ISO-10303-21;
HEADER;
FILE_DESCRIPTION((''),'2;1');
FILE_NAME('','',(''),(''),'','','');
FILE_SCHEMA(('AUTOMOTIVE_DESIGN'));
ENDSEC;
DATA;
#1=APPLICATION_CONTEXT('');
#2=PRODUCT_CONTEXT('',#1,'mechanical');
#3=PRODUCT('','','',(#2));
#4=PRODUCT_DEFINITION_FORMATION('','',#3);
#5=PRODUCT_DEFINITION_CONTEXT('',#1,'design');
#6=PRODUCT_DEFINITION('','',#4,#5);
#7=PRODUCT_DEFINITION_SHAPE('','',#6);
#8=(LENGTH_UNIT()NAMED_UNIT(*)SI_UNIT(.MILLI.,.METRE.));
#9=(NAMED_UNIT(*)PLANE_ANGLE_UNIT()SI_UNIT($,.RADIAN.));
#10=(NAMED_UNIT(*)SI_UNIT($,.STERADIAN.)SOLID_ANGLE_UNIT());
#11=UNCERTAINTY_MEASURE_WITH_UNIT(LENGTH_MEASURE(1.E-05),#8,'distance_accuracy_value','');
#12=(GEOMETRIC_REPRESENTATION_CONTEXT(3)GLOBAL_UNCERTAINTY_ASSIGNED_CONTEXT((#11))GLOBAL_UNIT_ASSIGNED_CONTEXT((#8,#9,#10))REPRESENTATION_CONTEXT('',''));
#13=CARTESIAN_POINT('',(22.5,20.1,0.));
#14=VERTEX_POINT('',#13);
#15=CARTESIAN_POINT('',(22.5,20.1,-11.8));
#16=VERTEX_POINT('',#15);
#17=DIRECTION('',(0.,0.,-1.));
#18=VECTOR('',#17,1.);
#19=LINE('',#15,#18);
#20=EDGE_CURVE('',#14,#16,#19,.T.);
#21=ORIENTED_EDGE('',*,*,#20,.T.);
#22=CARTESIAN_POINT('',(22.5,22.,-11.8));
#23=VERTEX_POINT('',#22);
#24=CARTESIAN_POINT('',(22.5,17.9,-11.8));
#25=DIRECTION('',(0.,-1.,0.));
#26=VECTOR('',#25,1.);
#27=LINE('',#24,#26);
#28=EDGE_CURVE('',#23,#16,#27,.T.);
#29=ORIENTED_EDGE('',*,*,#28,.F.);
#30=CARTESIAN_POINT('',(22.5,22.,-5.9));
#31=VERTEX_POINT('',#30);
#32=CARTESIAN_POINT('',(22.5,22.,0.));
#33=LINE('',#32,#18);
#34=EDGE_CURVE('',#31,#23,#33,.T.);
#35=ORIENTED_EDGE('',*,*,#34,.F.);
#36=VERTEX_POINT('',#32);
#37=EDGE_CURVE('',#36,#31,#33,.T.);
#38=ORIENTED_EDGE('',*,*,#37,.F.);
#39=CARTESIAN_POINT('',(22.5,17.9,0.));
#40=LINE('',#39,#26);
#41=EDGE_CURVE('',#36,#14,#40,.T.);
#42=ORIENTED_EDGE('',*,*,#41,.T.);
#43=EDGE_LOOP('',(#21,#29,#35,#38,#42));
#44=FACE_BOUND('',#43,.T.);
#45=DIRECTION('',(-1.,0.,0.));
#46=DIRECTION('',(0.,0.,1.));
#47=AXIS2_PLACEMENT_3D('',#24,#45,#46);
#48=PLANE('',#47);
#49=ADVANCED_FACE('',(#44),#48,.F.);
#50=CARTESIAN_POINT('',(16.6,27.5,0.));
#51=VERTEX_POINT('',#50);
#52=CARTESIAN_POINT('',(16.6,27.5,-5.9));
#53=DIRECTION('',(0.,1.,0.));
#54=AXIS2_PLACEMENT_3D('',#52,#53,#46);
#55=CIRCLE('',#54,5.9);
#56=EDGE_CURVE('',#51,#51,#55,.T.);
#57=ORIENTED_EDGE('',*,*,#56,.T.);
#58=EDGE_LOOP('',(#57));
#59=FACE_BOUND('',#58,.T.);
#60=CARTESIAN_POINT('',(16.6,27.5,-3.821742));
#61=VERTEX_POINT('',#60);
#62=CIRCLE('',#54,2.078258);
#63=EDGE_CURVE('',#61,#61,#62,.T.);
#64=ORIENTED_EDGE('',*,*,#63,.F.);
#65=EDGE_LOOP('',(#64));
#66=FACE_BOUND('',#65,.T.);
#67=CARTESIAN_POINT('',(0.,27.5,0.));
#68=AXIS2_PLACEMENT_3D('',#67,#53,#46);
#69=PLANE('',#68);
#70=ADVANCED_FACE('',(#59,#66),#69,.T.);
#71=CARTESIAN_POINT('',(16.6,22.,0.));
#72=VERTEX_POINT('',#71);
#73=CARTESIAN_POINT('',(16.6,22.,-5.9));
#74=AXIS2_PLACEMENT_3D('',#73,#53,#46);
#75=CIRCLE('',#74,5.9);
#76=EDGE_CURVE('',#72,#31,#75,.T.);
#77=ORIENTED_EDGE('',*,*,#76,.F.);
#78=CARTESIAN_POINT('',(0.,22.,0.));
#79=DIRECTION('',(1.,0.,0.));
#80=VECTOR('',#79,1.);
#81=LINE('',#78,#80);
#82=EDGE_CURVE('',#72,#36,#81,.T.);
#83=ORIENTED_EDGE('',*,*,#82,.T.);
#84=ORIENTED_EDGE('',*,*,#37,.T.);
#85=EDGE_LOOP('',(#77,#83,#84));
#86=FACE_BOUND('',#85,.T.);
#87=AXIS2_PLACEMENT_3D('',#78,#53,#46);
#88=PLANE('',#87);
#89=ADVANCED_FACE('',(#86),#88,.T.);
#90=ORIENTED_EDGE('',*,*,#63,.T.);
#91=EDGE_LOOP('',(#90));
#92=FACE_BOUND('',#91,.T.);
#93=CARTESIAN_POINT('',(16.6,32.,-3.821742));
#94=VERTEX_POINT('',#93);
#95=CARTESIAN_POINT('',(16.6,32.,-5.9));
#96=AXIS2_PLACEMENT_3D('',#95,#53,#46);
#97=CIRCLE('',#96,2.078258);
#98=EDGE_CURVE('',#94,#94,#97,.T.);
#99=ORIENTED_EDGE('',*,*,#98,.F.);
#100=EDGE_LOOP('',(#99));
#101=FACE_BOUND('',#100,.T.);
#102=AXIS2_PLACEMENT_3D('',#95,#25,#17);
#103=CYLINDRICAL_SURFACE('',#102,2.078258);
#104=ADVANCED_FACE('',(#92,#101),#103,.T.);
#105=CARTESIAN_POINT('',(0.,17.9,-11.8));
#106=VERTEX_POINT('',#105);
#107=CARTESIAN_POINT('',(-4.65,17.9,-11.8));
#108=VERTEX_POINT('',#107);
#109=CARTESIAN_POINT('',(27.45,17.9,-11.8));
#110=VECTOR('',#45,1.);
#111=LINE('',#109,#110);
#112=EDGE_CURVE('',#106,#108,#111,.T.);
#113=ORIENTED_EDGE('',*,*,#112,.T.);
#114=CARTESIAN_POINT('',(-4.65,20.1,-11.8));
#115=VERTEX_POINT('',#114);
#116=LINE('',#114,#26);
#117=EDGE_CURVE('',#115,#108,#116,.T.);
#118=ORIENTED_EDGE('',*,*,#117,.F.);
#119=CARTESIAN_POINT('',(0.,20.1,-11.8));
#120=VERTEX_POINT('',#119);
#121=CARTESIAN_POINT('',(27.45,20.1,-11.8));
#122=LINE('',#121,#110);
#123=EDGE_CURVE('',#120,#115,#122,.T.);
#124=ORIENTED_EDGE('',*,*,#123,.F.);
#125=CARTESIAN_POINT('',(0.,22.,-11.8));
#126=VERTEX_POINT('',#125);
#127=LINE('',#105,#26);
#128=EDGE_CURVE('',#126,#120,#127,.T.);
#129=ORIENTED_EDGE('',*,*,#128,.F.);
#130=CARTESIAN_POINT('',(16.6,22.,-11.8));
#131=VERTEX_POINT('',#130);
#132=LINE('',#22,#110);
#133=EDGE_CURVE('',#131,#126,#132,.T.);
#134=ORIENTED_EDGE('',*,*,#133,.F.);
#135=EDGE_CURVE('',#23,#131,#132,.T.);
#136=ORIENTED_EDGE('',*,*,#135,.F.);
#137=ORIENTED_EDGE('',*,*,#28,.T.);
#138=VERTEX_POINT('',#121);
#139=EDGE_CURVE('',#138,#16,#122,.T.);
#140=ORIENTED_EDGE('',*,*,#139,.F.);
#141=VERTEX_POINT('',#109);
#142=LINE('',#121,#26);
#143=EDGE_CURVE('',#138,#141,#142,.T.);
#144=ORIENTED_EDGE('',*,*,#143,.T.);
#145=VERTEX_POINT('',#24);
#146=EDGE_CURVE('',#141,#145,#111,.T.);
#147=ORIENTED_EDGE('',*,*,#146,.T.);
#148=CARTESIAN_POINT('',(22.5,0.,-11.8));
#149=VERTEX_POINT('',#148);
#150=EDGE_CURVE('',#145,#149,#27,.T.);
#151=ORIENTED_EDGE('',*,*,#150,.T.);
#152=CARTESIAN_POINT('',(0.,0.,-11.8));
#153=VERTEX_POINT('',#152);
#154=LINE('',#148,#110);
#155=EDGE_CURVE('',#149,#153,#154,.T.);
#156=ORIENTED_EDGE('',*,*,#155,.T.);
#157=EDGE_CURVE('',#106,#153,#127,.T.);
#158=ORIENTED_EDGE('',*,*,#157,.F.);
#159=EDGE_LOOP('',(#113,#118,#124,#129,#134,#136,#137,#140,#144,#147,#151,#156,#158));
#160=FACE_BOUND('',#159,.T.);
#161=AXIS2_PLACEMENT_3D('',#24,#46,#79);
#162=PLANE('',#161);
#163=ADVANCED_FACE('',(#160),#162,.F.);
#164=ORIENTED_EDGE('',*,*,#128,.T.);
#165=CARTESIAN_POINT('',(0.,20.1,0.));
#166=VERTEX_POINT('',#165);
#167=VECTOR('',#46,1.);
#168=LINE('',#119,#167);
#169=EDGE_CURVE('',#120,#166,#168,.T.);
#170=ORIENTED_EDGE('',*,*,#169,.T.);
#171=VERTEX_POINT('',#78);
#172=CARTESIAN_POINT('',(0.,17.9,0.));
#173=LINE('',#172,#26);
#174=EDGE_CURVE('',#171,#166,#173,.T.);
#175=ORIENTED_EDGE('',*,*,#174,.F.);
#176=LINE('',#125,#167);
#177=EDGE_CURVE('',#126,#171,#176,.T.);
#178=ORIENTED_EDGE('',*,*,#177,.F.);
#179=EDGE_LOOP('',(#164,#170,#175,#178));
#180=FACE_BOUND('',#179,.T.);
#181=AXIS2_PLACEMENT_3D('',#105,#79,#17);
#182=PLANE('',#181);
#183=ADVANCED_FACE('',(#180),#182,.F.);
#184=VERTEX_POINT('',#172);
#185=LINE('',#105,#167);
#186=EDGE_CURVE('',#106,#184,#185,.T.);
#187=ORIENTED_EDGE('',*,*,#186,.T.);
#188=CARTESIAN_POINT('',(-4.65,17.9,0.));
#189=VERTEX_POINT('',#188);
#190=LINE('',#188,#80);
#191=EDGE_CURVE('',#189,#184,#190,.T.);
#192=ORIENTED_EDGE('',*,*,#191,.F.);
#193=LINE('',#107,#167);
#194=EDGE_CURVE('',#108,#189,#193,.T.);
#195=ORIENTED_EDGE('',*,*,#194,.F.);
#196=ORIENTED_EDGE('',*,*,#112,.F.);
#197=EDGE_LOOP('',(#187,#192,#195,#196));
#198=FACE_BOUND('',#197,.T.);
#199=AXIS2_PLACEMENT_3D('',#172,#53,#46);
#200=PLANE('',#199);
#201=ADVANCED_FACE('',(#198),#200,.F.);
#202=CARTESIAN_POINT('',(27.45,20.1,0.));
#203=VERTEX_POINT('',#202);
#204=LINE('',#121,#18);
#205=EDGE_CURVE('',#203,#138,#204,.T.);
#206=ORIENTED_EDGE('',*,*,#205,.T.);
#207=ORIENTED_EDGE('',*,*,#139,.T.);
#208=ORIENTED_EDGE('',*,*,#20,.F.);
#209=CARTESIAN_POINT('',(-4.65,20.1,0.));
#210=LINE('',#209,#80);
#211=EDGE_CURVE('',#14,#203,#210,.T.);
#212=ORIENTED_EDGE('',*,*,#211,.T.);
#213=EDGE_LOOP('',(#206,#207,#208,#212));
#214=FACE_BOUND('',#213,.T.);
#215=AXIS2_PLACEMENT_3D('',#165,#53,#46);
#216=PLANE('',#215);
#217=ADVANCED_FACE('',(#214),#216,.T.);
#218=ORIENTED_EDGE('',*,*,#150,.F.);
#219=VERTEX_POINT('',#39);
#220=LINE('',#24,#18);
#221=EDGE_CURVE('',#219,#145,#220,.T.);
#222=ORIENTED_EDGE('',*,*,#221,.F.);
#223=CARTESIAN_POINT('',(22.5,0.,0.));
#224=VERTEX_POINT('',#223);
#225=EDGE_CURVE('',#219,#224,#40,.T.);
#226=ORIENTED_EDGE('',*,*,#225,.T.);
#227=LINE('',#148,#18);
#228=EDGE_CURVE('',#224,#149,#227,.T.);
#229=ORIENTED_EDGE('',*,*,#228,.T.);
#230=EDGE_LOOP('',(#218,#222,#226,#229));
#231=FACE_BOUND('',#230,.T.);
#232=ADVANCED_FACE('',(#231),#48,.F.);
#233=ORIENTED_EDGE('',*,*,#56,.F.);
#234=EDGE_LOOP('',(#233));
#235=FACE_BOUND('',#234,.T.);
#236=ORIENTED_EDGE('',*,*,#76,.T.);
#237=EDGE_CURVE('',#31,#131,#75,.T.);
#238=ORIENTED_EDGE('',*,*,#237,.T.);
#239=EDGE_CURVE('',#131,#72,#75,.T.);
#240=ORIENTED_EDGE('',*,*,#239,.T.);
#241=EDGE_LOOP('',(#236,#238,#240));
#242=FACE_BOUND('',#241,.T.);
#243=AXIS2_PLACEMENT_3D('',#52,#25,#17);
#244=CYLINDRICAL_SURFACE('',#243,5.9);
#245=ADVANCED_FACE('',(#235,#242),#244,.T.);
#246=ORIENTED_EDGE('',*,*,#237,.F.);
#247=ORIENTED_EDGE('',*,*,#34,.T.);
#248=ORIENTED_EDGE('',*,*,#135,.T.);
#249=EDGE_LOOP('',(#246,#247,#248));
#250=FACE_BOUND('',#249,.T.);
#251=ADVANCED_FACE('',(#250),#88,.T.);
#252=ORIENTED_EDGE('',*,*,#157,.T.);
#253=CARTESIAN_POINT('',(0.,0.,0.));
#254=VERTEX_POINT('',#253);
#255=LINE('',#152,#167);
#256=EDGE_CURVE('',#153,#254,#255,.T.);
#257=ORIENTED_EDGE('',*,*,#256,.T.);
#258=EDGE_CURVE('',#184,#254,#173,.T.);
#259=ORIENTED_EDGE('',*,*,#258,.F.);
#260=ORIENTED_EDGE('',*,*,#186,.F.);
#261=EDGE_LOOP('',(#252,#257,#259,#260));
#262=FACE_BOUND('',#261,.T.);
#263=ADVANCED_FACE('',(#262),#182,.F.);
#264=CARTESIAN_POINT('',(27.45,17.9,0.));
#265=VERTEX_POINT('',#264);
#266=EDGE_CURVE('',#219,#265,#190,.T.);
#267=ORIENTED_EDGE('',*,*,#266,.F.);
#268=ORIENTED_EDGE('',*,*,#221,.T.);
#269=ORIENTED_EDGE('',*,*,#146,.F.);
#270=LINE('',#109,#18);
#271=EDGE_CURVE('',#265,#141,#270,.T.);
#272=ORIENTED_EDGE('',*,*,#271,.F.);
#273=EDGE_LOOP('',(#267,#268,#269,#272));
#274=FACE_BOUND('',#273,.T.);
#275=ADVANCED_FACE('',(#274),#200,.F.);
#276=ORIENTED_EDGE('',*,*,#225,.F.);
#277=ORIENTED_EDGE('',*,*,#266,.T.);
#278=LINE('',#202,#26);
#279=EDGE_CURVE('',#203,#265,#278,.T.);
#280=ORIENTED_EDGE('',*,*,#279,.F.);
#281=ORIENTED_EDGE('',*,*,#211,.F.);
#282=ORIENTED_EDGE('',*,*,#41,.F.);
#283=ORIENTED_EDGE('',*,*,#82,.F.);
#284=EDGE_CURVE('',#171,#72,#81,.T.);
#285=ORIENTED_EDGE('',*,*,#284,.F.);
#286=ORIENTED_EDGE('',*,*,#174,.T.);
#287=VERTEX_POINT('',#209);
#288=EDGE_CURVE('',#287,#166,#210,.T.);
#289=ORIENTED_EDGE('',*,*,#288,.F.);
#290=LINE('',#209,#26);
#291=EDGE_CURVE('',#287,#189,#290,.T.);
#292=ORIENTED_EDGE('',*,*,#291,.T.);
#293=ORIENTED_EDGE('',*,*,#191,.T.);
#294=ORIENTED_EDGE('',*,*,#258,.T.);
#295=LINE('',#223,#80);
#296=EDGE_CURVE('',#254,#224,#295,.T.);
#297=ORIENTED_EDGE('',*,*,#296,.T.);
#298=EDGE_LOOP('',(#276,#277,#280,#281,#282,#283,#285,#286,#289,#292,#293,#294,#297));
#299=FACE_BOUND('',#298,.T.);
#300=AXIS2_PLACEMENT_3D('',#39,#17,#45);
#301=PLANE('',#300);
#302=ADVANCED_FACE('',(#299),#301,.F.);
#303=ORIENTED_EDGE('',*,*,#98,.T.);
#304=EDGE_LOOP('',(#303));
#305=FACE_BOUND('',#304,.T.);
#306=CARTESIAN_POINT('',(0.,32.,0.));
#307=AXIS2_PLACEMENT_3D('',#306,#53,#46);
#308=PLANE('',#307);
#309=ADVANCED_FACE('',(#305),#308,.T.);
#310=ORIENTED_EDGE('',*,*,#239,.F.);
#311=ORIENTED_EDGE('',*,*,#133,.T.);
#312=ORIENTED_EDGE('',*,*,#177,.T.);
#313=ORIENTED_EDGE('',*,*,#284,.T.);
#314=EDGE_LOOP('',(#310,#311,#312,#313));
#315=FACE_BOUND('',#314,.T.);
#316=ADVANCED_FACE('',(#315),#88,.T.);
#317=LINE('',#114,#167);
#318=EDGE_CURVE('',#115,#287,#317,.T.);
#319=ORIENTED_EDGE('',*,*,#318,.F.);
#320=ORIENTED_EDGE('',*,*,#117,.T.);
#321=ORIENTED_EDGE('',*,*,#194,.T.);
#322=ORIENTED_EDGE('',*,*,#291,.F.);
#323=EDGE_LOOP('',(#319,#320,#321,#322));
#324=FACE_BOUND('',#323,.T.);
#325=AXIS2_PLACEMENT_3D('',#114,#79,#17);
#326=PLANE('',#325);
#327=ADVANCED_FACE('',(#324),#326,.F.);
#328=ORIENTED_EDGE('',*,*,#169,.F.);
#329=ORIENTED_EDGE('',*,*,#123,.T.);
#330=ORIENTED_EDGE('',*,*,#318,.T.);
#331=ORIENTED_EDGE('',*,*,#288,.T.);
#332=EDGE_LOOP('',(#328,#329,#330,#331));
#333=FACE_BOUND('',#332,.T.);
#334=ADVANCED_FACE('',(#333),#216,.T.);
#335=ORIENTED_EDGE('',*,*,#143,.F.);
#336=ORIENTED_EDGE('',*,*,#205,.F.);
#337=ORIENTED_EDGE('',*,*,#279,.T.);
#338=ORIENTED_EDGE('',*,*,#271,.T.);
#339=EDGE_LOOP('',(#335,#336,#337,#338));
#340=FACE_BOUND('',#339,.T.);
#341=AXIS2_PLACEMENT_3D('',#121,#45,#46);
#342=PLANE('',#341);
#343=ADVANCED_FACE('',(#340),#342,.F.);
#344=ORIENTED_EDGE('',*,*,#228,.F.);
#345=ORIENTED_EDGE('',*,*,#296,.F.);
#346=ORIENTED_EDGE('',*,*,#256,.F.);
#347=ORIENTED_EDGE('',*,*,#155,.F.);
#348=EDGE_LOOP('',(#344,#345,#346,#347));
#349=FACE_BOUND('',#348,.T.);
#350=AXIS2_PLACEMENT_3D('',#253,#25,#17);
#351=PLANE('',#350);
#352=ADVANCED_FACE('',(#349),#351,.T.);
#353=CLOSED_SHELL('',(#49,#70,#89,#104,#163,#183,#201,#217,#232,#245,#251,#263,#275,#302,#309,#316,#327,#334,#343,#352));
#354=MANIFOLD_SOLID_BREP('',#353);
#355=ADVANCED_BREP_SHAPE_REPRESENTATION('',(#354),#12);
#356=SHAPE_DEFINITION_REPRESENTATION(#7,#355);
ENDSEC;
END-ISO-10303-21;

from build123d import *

# Parameters (mm, degrees)
SKETCH1_W           = 22.5
SKETCH1_H           = 11.8
BOSS_EXTRUDE1_DEPTH = 17.9
SKETCH2_W           = 22.5
SKETCH2_H           = 11.8
BOSS_EXTRUDE2_DEPTH = 4.1
SKETCH3_R           = 5.9
BOSS_EXTRUDE3_DEPTH = 5.5
SKETCH4_R           = 2.078257601
BOSS_EXTRUDE4_DEPTH = 4.5
SKETCH5_W           = 32.1
SKETCH5_H           = 11.8
BOSS_EXTRUDE5_DEPTH = 2.2


with BuildPart() as part:
    # Sketch1 → Boss-Extrude1 (new body)
    with BuildSketch(Plane(origin=(0, 0, 0), x_dir=(1, 0, 0), z_dir=(0, 1, 0))):
        with Locations((11.25, 5.9)):
            Rectangle(SKETCH1_W, SKETCH1_H)
    extrude(amount=BOSS_EXTRUDE1_DEPTH)

    # Sketch2 → Boss-Extrude2 (add)
    with BuildSketch(Plane(origin=(0, 17.9, 0), x_dir=(1, 0, 0), z_dir=(0, 1, 0))):
        with Locations((11.25, 5.9)):
            Rectangle(SKETCH2_W, SKETCH2_H)
    extrude(amount=BOSS_EXTRUDE2_DEPTH)

    # Sketch3 → Boss-Extrude3 (add)
    with BuildSketch(Plane(origin=(0, 22, 0), x_dir=(1, 0, 0), z_dir=(0, 1, 0))):
        with Locations((16.6, 5.9)):
            Circle(SKETCH3_R)
    extrude(amount=BOSS_EXTRUDE3_DEPTH)

    # Sketch4 → Boss-Extrude4 (add)
    with BuildSketch(Plane(origin=(0, 27.5, 0), x_dir=(1, 0, 0), z_dir=(0, 1, 0))):
        with Locations((16.6, 5.9)):
            Circle(SKETCH4_R)
    extrude(amount=BOSS_EXTRUDE4_DEPTH)

    # Sketch5 → Boss-Extrude5 (add)
    with BuildSketch(Plane(origin=(0, 17.9, 0), x_dir=(1, 0, 0), z_dir=(0, 1, 0))):
        with Locations((11.4, 5.9)):
            Rectangle(SKETCH5_W, SKETCH5_H)
    extrude(amount=BOSS_EXTRUDE5_DEPTH)


solid = part.part
